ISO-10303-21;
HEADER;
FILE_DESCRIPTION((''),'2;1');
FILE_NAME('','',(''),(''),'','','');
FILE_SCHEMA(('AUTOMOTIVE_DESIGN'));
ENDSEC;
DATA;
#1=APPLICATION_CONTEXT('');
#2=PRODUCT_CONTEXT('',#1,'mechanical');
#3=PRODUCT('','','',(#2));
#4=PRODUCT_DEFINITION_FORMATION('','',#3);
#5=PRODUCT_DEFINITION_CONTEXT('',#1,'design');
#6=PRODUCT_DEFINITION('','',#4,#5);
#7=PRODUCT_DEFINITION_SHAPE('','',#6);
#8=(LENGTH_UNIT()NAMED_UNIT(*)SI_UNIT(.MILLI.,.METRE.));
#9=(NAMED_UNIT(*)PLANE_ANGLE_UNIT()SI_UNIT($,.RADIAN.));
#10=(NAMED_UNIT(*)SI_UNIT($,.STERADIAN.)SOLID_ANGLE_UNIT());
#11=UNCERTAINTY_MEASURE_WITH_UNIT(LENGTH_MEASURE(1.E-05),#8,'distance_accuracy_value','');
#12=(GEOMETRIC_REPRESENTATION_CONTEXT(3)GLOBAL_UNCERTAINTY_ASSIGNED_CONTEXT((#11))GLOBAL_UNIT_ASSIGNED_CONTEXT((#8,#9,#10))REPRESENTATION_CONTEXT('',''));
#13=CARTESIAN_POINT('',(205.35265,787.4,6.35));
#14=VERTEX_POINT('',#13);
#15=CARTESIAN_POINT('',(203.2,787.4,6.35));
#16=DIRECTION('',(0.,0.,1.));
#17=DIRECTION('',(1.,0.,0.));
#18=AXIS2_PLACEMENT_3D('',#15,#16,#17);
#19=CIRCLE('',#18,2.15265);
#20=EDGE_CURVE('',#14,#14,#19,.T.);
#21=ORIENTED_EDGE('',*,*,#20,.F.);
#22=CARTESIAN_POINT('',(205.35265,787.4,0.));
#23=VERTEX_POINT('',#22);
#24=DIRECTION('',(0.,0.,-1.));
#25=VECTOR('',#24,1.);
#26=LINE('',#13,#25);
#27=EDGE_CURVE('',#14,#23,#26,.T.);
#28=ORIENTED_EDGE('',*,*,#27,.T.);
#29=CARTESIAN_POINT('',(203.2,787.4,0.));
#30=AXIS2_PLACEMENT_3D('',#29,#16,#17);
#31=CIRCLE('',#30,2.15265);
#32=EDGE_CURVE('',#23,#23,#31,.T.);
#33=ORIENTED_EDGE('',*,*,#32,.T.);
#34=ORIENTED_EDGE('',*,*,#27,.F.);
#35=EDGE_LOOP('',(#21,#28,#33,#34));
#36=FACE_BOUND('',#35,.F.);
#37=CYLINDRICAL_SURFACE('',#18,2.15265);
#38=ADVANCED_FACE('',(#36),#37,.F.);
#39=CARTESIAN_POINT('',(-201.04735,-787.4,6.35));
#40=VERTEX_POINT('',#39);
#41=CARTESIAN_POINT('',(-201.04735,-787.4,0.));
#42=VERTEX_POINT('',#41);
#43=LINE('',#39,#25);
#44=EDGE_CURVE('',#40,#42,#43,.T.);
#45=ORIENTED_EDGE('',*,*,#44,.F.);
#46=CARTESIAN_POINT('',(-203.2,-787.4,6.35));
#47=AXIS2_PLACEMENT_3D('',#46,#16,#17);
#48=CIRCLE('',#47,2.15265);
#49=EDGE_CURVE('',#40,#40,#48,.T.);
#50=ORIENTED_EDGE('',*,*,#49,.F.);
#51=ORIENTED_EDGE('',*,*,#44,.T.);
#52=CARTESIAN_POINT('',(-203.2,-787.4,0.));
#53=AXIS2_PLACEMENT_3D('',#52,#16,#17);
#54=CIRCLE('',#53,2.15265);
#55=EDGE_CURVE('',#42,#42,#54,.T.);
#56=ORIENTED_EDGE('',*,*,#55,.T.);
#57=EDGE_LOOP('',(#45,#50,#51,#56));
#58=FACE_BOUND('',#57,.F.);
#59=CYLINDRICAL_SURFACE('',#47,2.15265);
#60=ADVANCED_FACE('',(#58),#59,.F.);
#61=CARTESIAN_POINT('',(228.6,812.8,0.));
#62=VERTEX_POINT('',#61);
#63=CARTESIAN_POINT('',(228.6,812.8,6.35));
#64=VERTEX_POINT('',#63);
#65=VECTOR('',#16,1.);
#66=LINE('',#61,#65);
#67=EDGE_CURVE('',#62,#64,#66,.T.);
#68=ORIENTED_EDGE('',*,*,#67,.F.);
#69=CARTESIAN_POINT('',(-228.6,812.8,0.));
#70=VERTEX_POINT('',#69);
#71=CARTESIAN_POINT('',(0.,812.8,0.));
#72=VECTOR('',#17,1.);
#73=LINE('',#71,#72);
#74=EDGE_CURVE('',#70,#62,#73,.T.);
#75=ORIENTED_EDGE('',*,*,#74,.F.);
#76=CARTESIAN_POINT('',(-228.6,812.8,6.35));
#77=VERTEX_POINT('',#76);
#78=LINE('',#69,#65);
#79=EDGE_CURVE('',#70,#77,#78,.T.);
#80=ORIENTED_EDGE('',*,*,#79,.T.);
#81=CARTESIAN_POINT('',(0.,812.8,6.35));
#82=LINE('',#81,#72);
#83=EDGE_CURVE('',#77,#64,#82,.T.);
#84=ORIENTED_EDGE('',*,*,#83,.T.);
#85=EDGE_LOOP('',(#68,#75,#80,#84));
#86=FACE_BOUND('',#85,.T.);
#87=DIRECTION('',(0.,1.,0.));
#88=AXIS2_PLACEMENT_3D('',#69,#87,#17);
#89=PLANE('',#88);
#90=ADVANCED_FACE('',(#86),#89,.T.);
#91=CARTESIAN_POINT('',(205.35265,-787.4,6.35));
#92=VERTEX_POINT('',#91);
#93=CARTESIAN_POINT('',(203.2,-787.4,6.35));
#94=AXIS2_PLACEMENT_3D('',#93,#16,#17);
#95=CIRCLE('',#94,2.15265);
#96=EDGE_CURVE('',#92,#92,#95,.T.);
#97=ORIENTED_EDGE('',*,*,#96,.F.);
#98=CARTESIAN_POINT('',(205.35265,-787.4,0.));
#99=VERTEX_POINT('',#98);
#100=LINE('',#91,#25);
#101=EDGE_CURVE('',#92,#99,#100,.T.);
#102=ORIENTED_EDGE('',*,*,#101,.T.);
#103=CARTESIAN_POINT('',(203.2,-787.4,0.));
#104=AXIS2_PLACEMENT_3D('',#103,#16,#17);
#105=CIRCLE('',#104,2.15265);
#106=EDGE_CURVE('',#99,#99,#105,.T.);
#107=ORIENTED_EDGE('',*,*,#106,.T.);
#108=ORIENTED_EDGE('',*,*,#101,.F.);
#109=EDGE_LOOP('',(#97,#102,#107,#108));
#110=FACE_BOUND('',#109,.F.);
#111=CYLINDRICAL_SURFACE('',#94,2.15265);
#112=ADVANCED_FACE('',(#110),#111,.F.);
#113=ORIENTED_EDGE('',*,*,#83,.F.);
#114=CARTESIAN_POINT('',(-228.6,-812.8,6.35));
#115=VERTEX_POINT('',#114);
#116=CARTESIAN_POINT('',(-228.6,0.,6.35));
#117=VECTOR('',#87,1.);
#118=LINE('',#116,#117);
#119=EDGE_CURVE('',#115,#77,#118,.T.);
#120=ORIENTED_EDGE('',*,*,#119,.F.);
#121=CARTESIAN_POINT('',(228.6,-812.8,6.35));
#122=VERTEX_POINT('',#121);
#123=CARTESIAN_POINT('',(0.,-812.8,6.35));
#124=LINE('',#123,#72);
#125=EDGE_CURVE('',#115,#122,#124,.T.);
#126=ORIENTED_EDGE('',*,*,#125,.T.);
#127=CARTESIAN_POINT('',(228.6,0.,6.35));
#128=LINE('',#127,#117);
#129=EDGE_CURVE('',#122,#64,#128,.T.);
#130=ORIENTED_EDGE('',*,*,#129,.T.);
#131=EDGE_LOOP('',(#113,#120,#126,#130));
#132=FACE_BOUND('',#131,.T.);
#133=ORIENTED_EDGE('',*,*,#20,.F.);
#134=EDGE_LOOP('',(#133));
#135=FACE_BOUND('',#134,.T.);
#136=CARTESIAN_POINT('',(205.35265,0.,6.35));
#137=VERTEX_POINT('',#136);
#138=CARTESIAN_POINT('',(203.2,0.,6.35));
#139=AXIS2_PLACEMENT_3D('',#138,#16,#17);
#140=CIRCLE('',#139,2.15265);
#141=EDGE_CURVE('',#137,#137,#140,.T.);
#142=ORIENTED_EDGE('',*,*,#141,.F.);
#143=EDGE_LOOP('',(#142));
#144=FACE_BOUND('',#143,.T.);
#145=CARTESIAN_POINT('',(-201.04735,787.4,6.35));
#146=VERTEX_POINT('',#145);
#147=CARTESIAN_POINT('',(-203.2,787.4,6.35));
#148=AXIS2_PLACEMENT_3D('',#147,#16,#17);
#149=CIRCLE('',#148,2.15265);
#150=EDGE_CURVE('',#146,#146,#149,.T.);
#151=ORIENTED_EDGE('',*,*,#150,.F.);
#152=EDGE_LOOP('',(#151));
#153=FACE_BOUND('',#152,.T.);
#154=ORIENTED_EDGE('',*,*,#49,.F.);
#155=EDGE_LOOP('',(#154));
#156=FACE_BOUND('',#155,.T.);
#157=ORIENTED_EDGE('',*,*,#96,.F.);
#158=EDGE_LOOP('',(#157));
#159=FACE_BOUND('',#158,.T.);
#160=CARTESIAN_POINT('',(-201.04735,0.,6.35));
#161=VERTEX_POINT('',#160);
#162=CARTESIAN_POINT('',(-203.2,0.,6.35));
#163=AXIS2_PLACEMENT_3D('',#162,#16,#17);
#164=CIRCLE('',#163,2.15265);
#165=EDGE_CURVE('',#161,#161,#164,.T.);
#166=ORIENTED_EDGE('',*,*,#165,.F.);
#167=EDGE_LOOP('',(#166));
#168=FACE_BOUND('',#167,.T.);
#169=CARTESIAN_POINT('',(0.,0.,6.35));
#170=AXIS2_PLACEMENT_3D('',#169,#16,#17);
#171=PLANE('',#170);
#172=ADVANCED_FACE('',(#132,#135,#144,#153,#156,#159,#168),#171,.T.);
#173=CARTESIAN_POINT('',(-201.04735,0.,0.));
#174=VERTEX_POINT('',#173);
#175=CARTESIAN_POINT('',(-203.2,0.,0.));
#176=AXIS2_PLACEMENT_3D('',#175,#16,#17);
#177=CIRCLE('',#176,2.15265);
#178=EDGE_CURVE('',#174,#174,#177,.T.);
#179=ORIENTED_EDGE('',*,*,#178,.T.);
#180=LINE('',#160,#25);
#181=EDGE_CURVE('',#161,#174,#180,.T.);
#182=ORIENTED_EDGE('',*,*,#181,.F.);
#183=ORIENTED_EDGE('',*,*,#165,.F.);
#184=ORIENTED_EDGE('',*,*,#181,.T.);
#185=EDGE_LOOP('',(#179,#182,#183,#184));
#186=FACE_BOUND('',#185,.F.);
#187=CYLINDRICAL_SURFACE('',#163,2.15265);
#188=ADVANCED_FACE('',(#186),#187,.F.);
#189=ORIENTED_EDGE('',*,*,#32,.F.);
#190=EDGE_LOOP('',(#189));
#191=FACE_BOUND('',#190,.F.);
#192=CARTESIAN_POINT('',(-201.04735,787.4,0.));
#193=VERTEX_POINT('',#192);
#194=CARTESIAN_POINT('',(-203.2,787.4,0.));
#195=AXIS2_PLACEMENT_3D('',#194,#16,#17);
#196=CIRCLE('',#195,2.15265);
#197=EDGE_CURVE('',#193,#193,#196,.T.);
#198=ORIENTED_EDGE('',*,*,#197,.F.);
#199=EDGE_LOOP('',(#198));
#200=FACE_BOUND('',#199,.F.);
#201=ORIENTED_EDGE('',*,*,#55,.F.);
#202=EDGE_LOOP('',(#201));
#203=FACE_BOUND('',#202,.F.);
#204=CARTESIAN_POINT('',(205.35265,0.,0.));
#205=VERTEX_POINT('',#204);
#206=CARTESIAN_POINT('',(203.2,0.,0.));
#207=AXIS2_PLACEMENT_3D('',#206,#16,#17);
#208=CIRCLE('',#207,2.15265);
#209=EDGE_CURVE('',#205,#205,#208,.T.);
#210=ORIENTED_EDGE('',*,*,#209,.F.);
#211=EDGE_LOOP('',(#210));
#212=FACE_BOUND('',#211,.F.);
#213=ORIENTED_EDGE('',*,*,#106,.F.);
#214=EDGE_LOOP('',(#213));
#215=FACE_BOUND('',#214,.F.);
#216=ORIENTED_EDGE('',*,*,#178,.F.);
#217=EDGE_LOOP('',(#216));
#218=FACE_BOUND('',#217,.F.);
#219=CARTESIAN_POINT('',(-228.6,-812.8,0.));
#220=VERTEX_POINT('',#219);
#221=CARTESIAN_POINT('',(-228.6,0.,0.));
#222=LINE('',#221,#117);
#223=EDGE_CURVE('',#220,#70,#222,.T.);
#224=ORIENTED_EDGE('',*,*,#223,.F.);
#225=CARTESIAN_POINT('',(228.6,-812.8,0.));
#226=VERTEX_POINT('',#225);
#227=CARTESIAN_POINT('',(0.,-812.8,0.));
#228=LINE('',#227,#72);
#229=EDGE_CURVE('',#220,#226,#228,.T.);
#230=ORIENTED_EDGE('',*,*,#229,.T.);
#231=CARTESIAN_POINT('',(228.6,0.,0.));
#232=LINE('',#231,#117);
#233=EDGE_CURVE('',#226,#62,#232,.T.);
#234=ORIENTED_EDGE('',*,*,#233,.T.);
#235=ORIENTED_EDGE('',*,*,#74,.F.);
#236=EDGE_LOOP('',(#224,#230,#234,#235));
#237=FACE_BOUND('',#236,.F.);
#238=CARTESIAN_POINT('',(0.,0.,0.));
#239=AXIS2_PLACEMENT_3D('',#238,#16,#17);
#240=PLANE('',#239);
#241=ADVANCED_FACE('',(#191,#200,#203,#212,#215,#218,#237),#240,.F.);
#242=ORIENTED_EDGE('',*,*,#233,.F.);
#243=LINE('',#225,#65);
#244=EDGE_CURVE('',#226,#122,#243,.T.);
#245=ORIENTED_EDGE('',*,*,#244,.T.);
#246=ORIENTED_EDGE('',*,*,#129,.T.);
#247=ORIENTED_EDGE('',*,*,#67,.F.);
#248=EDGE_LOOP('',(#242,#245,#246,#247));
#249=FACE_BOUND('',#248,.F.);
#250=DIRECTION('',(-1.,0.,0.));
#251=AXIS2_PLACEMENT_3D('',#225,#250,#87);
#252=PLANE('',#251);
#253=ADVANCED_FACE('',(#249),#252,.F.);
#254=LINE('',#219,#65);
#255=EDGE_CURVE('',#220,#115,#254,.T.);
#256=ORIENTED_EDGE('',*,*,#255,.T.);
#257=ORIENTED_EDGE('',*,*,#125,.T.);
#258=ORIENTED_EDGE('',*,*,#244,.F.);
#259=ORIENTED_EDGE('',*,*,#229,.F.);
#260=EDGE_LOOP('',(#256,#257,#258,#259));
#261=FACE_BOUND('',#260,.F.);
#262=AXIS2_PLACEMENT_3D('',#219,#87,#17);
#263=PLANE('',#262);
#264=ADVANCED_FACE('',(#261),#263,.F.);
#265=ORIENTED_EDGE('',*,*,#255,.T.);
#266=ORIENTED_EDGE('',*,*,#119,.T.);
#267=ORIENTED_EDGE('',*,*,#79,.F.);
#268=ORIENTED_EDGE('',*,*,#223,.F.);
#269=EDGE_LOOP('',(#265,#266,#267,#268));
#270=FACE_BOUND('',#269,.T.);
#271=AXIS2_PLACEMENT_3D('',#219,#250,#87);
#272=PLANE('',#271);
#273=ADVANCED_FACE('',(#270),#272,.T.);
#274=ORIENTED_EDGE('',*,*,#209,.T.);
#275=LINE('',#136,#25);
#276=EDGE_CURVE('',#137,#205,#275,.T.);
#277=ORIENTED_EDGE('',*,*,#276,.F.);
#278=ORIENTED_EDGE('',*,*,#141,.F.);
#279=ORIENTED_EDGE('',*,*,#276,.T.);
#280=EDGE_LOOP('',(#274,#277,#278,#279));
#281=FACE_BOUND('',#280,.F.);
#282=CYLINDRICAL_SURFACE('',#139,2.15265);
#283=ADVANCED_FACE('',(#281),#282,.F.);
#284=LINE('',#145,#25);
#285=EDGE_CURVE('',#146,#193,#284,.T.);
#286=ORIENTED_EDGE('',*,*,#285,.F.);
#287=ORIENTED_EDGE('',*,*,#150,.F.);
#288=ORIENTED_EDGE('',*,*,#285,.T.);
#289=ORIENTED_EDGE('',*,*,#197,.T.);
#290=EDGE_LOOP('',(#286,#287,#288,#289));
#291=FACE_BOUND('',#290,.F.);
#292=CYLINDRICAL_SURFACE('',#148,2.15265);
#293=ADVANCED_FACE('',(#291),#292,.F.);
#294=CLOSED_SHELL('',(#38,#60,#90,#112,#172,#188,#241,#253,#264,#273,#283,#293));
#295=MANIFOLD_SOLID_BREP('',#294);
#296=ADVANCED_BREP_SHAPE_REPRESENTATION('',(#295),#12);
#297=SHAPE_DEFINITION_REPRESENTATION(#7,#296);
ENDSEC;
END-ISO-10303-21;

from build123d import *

# Parameters (mm, degrees)
F0_W     = 457.2
F0_H     = 1625.6
F1_DEPTH = 6.35
F2_R     = 2.15265
F3_DEPTH = 6.35


with BuildPart() as f1:
    # F0 (on Top) → F1 (new body)
    with BuildSketch(Plane.XY):
        Rectangle(F0_W, F0_H)
    extrude(amount=F1_DEPTH)

    # F2 (on face) → F3 (cut, through all)
    with BuildSketch(Plane.XY.offset(6.35)):
        with Locations((-203.2, -787.4)):
            Circle(F2_R)
        with Locations((203.2, -787.4)):
            Circle(F2_R)
        with Locations((203.2, 0)):
            Circle(F2_R)
        with Locations((-203.2, 0)):
            Circle(F2_R)
        with Locations((-203.2, 787.4)):
            Circle(F2_R)
        with Locations((203.2, 787.4)):
            Circle(F2_R)
    extrude(amount=-F3_DEPTH, mode=Mode.SUBTRACT)


solid = f1.part
